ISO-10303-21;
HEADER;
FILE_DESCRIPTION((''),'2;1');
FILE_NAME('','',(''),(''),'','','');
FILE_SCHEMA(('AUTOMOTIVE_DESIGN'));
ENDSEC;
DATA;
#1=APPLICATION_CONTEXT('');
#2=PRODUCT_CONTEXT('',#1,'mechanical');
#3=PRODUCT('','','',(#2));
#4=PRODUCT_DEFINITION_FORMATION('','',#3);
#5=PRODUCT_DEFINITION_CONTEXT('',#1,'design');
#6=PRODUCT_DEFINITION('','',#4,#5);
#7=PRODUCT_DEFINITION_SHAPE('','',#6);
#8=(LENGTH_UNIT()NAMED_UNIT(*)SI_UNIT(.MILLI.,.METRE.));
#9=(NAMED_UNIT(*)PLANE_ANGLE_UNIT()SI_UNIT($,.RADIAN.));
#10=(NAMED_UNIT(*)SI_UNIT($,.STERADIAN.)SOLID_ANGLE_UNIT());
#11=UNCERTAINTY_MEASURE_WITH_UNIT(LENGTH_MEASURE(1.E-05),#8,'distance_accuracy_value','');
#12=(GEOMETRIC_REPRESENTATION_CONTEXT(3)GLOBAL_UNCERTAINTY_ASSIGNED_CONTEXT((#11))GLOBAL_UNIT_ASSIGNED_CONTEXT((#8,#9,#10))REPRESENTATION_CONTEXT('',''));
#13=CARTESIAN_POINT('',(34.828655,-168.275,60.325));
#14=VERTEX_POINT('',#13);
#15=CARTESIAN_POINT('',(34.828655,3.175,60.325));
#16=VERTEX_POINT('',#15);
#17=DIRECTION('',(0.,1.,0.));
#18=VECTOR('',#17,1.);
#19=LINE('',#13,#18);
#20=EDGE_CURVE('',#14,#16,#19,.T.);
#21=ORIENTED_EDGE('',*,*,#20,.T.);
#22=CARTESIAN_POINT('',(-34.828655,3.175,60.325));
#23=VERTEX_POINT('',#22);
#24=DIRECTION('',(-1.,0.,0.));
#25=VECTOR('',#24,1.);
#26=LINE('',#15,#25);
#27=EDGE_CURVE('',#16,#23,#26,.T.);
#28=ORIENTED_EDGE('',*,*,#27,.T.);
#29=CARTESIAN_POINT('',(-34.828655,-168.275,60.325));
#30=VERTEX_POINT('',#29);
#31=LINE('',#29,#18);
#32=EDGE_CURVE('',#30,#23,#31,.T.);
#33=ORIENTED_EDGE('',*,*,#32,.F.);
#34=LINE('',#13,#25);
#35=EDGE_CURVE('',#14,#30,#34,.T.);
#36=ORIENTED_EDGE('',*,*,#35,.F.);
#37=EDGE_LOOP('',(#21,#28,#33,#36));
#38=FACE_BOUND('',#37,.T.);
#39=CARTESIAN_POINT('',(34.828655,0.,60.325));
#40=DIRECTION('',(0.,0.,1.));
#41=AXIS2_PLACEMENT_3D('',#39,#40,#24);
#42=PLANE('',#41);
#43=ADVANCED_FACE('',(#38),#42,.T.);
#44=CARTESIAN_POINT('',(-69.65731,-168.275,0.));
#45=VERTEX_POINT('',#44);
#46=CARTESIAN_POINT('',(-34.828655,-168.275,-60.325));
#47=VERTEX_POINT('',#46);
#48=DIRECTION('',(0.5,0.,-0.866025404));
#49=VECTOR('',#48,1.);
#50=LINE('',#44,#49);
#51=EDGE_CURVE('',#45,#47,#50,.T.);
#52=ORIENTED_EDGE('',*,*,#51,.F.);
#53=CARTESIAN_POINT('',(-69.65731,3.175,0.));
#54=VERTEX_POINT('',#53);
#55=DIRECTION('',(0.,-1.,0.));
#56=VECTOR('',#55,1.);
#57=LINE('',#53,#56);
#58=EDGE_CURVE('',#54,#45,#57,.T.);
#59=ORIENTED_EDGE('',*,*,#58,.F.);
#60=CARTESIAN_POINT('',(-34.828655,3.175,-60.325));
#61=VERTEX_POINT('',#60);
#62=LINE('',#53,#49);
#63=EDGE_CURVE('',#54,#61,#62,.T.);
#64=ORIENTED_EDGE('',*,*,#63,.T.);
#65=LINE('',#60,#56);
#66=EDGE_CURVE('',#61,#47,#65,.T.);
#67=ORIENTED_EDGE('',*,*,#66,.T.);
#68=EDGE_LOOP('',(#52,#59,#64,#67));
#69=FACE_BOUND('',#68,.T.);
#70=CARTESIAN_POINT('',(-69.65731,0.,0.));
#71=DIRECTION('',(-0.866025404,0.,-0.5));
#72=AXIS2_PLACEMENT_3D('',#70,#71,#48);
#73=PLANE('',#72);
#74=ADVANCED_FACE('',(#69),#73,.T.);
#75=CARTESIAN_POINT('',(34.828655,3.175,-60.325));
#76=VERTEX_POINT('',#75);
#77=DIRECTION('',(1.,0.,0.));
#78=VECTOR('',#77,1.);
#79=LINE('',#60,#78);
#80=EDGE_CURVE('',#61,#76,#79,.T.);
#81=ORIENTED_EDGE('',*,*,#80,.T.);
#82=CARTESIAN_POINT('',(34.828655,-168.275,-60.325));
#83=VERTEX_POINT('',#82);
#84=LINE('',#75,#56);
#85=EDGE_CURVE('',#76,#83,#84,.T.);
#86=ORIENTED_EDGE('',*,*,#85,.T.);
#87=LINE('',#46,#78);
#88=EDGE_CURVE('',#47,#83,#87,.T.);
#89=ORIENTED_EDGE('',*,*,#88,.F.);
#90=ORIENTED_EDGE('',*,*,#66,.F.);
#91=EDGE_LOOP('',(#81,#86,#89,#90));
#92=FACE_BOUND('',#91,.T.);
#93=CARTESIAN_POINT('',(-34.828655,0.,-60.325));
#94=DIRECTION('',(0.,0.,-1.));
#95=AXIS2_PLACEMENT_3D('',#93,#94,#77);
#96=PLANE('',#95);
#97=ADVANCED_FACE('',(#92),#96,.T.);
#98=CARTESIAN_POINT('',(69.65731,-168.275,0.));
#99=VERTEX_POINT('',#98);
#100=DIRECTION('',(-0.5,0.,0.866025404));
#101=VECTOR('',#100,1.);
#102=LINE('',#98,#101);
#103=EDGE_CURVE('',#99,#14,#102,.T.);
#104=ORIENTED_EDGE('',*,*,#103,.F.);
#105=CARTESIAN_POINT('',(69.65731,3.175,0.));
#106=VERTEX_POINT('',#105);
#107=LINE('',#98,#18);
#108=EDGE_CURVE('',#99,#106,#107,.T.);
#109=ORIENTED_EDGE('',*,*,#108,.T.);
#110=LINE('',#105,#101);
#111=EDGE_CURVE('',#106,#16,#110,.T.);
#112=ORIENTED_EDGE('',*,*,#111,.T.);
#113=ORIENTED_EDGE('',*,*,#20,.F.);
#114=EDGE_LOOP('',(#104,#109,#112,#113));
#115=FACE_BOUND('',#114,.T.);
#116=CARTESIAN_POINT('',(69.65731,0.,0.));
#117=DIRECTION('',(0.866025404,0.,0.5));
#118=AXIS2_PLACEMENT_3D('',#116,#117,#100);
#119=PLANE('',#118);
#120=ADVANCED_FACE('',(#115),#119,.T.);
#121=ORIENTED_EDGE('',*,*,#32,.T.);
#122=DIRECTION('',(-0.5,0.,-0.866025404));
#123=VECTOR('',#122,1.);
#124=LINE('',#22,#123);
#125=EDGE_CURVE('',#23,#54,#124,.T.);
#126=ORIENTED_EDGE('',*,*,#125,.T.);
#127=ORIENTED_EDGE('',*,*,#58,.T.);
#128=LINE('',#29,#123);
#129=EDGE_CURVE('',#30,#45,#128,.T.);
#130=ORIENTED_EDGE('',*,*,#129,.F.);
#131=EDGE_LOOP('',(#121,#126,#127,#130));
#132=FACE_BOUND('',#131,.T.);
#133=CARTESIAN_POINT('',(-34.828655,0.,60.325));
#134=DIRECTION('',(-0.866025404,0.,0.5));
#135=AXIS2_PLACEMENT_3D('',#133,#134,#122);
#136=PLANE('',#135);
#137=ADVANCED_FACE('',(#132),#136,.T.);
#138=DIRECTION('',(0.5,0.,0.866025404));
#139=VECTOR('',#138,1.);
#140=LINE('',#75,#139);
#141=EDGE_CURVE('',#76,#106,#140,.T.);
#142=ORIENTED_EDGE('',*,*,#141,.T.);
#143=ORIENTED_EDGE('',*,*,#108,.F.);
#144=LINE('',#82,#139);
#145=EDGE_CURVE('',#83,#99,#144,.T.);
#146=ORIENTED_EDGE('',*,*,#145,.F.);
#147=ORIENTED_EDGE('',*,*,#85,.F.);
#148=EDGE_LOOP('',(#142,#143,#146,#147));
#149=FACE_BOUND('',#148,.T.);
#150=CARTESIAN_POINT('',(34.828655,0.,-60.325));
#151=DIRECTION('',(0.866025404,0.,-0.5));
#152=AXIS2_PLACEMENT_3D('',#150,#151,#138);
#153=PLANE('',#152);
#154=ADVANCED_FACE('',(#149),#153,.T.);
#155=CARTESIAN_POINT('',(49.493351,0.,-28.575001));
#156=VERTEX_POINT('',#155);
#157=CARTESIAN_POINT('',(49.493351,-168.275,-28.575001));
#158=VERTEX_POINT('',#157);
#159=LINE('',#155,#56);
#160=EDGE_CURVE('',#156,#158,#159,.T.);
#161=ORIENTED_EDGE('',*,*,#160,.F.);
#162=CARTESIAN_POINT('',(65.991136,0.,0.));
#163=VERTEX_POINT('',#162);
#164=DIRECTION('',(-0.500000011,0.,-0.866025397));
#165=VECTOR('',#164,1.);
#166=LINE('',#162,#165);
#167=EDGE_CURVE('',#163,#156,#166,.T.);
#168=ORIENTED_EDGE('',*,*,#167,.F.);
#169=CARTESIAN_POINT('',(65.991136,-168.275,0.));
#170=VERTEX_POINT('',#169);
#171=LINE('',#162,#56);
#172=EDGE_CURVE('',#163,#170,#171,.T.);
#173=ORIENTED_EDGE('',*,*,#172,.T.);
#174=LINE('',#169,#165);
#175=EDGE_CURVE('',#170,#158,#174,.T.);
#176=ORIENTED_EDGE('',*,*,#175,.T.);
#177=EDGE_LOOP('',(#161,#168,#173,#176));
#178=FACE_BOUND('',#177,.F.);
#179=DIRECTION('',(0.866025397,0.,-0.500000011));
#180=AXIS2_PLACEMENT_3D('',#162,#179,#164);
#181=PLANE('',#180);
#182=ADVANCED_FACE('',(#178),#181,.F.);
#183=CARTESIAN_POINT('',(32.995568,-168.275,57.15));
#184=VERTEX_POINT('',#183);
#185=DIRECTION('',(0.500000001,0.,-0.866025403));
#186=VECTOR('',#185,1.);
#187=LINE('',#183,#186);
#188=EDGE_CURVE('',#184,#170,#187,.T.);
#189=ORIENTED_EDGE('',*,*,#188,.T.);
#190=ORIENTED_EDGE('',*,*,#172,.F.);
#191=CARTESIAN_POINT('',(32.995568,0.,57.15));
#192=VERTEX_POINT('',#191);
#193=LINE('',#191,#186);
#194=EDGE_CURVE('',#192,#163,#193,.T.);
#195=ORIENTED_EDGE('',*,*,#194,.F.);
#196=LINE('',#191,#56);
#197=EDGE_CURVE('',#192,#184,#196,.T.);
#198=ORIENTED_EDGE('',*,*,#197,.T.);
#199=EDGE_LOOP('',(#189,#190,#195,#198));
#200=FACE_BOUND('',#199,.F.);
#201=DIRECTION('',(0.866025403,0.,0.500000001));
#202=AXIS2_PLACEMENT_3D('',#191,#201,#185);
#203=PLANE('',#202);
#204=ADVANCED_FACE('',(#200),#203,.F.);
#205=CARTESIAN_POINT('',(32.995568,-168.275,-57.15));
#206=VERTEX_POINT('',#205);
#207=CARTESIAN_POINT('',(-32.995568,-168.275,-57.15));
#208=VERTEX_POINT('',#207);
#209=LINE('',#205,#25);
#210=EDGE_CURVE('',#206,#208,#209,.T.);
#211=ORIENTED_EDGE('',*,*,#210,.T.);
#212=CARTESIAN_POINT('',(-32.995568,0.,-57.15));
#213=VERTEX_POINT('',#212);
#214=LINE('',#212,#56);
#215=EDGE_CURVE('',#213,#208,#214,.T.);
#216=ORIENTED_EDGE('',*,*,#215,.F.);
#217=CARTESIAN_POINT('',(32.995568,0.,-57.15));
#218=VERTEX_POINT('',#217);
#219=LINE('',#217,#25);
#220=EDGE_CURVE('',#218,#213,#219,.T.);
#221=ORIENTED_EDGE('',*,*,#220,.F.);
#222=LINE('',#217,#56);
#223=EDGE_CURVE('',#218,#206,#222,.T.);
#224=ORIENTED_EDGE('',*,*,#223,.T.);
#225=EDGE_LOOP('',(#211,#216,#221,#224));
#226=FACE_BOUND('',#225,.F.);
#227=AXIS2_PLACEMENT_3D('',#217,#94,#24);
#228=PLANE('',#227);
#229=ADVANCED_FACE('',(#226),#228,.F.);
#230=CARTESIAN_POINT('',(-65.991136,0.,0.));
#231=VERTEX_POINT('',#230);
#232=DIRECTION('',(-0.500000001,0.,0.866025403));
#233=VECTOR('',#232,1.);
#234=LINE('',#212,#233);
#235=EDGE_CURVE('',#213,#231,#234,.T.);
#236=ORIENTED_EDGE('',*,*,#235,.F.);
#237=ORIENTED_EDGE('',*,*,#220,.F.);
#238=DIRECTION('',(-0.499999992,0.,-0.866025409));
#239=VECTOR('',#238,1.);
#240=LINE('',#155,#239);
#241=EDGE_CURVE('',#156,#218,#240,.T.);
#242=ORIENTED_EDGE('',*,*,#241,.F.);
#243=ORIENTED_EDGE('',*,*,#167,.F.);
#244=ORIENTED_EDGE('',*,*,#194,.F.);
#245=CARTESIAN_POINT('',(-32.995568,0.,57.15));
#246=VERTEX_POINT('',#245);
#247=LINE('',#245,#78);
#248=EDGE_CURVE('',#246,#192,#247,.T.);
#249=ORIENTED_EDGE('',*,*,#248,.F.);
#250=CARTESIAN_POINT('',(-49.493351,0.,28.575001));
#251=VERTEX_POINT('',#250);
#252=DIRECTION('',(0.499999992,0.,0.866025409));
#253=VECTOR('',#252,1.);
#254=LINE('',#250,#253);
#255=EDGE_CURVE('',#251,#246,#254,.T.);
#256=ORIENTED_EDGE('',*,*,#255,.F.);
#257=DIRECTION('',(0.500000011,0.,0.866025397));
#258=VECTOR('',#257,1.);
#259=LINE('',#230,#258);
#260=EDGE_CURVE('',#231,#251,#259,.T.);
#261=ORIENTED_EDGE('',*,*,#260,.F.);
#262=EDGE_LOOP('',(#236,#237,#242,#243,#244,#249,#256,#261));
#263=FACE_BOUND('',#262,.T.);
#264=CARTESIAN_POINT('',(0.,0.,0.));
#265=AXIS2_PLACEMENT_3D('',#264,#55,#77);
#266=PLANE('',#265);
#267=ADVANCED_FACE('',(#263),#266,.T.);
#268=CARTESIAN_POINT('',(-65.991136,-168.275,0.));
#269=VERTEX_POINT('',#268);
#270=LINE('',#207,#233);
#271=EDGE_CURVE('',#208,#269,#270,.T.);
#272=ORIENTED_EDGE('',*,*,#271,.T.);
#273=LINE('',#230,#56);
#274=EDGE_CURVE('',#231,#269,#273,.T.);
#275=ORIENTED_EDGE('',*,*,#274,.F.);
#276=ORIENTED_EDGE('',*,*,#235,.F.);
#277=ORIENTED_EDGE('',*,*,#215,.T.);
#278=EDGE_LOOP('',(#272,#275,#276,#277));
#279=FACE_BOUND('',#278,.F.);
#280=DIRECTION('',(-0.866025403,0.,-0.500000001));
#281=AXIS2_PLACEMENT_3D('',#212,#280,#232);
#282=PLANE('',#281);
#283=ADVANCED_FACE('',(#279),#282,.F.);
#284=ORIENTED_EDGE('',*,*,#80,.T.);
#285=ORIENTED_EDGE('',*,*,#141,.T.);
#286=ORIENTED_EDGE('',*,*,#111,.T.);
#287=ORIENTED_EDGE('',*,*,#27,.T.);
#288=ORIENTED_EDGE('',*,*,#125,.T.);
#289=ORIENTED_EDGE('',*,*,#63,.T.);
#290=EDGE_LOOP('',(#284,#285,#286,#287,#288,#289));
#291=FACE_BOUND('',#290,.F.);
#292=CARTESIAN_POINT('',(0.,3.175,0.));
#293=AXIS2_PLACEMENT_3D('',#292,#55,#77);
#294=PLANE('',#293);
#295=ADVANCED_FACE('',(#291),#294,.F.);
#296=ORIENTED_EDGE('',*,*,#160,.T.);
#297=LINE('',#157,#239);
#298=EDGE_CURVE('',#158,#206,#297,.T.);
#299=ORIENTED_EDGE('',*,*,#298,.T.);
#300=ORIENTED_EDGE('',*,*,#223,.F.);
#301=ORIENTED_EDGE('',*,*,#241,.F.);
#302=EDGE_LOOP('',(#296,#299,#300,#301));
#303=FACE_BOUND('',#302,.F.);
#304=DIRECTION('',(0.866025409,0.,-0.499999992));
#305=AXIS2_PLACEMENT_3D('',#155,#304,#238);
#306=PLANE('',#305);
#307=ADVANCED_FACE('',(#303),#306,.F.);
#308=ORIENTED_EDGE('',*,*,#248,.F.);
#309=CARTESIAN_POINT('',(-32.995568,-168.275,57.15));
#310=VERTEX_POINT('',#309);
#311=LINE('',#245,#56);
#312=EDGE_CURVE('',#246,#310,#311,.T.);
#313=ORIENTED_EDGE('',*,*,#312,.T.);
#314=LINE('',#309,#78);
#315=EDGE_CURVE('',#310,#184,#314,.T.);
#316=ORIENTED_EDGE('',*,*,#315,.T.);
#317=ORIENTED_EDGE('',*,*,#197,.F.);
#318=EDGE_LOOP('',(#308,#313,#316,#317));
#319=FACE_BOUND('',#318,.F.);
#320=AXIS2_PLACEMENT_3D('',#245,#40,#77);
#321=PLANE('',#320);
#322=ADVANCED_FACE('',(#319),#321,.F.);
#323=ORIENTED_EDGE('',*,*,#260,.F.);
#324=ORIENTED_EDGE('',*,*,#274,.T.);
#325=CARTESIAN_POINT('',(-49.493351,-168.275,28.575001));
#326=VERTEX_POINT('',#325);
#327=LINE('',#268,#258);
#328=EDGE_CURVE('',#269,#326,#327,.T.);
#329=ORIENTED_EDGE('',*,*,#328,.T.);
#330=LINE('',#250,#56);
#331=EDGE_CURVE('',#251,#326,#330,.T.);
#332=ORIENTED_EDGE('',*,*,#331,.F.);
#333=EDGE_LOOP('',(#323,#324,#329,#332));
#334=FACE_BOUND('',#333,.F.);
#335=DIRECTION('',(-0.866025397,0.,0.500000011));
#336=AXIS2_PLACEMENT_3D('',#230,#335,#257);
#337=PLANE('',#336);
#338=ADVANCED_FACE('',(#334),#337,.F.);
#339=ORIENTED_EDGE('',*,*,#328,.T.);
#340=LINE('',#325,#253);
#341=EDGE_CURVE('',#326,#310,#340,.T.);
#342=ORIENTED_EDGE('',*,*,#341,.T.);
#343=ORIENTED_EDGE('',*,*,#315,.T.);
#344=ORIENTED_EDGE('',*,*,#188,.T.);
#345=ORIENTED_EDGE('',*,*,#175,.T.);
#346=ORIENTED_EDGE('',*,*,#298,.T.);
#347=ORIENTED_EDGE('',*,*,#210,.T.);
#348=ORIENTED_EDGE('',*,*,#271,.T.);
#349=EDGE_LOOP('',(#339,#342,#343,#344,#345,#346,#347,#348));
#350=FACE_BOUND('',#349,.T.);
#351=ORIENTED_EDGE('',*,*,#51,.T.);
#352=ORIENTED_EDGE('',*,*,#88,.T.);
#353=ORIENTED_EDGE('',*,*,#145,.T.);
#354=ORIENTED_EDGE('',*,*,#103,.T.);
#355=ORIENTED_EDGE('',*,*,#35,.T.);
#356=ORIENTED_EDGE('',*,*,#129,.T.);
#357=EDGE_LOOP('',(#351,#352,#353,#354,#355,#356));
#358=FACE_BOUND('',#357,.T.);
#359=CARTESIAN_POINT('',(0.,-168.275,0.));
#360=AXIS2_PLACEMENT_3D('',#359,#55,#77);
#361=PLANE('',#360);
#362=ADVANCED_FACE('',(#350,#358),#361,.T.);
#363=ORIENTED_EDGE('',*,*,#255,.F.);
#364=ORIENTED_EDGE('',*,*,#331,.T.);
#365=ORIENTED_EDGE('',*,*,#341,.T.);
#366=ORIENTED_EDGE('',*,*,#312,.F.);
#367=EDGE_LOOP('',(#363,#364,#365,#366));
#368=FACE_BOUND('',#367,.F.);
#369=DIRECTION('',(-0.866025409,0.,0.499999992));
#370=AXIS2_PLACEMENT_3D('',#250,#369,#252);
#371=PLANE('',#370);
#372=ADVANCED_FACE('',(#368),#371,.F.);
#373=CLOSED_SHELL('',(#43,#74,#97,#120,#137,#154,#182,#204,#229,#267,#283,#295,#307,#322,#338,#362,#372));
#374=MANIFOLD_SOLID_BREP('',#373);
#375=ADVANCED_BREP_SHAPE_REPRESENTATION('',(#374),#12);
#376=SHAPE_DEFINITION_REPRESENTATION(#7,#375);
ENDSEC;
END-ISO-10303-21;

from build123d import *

# Parameters (mm, degrees)
F1_DEPTH = 168.275
F3_DEPTH = 3.175


with BuildPart() as f1:
    # F0 (on Front) → F1 (new body)
    with BuildSketch(Plane.XZ):
        Polygon((34.828655, 60.325), (-34.828655, 60.325), (-69.65731, 0), (-34.828655, -60.325), (34.828655, -60.325), (69.65731, 0), align=None)
        Polygon((32.995568, 57.15), (49.493352, 28.575), (65.991136, 0), (49.493351, -28.575001), (32.995568, -57.15), (0, -57.15), (-32.995568, -57.15), (-49.493352, -28.575), (-65.991136, 0), (-49.493351, 28.575001), (-32.995568, 57.15), (0, 57.15), align=None, mode=Mode.SUBTRACT)
    extrude(amount=F1_DEPTH)

    # F2 (on Front) → F3 (join)
    with BuildSketch(Plane.XZ):
        Polygon((-34.828655, 60.325), (-69.65731, 0), (-34.828655, -60.325), (34.828655, -60.325), (69.65731, 0), (34.828655, 60.325), align=None)
    extrude(amount=-F3_DEPTH)


solid = f1.part
